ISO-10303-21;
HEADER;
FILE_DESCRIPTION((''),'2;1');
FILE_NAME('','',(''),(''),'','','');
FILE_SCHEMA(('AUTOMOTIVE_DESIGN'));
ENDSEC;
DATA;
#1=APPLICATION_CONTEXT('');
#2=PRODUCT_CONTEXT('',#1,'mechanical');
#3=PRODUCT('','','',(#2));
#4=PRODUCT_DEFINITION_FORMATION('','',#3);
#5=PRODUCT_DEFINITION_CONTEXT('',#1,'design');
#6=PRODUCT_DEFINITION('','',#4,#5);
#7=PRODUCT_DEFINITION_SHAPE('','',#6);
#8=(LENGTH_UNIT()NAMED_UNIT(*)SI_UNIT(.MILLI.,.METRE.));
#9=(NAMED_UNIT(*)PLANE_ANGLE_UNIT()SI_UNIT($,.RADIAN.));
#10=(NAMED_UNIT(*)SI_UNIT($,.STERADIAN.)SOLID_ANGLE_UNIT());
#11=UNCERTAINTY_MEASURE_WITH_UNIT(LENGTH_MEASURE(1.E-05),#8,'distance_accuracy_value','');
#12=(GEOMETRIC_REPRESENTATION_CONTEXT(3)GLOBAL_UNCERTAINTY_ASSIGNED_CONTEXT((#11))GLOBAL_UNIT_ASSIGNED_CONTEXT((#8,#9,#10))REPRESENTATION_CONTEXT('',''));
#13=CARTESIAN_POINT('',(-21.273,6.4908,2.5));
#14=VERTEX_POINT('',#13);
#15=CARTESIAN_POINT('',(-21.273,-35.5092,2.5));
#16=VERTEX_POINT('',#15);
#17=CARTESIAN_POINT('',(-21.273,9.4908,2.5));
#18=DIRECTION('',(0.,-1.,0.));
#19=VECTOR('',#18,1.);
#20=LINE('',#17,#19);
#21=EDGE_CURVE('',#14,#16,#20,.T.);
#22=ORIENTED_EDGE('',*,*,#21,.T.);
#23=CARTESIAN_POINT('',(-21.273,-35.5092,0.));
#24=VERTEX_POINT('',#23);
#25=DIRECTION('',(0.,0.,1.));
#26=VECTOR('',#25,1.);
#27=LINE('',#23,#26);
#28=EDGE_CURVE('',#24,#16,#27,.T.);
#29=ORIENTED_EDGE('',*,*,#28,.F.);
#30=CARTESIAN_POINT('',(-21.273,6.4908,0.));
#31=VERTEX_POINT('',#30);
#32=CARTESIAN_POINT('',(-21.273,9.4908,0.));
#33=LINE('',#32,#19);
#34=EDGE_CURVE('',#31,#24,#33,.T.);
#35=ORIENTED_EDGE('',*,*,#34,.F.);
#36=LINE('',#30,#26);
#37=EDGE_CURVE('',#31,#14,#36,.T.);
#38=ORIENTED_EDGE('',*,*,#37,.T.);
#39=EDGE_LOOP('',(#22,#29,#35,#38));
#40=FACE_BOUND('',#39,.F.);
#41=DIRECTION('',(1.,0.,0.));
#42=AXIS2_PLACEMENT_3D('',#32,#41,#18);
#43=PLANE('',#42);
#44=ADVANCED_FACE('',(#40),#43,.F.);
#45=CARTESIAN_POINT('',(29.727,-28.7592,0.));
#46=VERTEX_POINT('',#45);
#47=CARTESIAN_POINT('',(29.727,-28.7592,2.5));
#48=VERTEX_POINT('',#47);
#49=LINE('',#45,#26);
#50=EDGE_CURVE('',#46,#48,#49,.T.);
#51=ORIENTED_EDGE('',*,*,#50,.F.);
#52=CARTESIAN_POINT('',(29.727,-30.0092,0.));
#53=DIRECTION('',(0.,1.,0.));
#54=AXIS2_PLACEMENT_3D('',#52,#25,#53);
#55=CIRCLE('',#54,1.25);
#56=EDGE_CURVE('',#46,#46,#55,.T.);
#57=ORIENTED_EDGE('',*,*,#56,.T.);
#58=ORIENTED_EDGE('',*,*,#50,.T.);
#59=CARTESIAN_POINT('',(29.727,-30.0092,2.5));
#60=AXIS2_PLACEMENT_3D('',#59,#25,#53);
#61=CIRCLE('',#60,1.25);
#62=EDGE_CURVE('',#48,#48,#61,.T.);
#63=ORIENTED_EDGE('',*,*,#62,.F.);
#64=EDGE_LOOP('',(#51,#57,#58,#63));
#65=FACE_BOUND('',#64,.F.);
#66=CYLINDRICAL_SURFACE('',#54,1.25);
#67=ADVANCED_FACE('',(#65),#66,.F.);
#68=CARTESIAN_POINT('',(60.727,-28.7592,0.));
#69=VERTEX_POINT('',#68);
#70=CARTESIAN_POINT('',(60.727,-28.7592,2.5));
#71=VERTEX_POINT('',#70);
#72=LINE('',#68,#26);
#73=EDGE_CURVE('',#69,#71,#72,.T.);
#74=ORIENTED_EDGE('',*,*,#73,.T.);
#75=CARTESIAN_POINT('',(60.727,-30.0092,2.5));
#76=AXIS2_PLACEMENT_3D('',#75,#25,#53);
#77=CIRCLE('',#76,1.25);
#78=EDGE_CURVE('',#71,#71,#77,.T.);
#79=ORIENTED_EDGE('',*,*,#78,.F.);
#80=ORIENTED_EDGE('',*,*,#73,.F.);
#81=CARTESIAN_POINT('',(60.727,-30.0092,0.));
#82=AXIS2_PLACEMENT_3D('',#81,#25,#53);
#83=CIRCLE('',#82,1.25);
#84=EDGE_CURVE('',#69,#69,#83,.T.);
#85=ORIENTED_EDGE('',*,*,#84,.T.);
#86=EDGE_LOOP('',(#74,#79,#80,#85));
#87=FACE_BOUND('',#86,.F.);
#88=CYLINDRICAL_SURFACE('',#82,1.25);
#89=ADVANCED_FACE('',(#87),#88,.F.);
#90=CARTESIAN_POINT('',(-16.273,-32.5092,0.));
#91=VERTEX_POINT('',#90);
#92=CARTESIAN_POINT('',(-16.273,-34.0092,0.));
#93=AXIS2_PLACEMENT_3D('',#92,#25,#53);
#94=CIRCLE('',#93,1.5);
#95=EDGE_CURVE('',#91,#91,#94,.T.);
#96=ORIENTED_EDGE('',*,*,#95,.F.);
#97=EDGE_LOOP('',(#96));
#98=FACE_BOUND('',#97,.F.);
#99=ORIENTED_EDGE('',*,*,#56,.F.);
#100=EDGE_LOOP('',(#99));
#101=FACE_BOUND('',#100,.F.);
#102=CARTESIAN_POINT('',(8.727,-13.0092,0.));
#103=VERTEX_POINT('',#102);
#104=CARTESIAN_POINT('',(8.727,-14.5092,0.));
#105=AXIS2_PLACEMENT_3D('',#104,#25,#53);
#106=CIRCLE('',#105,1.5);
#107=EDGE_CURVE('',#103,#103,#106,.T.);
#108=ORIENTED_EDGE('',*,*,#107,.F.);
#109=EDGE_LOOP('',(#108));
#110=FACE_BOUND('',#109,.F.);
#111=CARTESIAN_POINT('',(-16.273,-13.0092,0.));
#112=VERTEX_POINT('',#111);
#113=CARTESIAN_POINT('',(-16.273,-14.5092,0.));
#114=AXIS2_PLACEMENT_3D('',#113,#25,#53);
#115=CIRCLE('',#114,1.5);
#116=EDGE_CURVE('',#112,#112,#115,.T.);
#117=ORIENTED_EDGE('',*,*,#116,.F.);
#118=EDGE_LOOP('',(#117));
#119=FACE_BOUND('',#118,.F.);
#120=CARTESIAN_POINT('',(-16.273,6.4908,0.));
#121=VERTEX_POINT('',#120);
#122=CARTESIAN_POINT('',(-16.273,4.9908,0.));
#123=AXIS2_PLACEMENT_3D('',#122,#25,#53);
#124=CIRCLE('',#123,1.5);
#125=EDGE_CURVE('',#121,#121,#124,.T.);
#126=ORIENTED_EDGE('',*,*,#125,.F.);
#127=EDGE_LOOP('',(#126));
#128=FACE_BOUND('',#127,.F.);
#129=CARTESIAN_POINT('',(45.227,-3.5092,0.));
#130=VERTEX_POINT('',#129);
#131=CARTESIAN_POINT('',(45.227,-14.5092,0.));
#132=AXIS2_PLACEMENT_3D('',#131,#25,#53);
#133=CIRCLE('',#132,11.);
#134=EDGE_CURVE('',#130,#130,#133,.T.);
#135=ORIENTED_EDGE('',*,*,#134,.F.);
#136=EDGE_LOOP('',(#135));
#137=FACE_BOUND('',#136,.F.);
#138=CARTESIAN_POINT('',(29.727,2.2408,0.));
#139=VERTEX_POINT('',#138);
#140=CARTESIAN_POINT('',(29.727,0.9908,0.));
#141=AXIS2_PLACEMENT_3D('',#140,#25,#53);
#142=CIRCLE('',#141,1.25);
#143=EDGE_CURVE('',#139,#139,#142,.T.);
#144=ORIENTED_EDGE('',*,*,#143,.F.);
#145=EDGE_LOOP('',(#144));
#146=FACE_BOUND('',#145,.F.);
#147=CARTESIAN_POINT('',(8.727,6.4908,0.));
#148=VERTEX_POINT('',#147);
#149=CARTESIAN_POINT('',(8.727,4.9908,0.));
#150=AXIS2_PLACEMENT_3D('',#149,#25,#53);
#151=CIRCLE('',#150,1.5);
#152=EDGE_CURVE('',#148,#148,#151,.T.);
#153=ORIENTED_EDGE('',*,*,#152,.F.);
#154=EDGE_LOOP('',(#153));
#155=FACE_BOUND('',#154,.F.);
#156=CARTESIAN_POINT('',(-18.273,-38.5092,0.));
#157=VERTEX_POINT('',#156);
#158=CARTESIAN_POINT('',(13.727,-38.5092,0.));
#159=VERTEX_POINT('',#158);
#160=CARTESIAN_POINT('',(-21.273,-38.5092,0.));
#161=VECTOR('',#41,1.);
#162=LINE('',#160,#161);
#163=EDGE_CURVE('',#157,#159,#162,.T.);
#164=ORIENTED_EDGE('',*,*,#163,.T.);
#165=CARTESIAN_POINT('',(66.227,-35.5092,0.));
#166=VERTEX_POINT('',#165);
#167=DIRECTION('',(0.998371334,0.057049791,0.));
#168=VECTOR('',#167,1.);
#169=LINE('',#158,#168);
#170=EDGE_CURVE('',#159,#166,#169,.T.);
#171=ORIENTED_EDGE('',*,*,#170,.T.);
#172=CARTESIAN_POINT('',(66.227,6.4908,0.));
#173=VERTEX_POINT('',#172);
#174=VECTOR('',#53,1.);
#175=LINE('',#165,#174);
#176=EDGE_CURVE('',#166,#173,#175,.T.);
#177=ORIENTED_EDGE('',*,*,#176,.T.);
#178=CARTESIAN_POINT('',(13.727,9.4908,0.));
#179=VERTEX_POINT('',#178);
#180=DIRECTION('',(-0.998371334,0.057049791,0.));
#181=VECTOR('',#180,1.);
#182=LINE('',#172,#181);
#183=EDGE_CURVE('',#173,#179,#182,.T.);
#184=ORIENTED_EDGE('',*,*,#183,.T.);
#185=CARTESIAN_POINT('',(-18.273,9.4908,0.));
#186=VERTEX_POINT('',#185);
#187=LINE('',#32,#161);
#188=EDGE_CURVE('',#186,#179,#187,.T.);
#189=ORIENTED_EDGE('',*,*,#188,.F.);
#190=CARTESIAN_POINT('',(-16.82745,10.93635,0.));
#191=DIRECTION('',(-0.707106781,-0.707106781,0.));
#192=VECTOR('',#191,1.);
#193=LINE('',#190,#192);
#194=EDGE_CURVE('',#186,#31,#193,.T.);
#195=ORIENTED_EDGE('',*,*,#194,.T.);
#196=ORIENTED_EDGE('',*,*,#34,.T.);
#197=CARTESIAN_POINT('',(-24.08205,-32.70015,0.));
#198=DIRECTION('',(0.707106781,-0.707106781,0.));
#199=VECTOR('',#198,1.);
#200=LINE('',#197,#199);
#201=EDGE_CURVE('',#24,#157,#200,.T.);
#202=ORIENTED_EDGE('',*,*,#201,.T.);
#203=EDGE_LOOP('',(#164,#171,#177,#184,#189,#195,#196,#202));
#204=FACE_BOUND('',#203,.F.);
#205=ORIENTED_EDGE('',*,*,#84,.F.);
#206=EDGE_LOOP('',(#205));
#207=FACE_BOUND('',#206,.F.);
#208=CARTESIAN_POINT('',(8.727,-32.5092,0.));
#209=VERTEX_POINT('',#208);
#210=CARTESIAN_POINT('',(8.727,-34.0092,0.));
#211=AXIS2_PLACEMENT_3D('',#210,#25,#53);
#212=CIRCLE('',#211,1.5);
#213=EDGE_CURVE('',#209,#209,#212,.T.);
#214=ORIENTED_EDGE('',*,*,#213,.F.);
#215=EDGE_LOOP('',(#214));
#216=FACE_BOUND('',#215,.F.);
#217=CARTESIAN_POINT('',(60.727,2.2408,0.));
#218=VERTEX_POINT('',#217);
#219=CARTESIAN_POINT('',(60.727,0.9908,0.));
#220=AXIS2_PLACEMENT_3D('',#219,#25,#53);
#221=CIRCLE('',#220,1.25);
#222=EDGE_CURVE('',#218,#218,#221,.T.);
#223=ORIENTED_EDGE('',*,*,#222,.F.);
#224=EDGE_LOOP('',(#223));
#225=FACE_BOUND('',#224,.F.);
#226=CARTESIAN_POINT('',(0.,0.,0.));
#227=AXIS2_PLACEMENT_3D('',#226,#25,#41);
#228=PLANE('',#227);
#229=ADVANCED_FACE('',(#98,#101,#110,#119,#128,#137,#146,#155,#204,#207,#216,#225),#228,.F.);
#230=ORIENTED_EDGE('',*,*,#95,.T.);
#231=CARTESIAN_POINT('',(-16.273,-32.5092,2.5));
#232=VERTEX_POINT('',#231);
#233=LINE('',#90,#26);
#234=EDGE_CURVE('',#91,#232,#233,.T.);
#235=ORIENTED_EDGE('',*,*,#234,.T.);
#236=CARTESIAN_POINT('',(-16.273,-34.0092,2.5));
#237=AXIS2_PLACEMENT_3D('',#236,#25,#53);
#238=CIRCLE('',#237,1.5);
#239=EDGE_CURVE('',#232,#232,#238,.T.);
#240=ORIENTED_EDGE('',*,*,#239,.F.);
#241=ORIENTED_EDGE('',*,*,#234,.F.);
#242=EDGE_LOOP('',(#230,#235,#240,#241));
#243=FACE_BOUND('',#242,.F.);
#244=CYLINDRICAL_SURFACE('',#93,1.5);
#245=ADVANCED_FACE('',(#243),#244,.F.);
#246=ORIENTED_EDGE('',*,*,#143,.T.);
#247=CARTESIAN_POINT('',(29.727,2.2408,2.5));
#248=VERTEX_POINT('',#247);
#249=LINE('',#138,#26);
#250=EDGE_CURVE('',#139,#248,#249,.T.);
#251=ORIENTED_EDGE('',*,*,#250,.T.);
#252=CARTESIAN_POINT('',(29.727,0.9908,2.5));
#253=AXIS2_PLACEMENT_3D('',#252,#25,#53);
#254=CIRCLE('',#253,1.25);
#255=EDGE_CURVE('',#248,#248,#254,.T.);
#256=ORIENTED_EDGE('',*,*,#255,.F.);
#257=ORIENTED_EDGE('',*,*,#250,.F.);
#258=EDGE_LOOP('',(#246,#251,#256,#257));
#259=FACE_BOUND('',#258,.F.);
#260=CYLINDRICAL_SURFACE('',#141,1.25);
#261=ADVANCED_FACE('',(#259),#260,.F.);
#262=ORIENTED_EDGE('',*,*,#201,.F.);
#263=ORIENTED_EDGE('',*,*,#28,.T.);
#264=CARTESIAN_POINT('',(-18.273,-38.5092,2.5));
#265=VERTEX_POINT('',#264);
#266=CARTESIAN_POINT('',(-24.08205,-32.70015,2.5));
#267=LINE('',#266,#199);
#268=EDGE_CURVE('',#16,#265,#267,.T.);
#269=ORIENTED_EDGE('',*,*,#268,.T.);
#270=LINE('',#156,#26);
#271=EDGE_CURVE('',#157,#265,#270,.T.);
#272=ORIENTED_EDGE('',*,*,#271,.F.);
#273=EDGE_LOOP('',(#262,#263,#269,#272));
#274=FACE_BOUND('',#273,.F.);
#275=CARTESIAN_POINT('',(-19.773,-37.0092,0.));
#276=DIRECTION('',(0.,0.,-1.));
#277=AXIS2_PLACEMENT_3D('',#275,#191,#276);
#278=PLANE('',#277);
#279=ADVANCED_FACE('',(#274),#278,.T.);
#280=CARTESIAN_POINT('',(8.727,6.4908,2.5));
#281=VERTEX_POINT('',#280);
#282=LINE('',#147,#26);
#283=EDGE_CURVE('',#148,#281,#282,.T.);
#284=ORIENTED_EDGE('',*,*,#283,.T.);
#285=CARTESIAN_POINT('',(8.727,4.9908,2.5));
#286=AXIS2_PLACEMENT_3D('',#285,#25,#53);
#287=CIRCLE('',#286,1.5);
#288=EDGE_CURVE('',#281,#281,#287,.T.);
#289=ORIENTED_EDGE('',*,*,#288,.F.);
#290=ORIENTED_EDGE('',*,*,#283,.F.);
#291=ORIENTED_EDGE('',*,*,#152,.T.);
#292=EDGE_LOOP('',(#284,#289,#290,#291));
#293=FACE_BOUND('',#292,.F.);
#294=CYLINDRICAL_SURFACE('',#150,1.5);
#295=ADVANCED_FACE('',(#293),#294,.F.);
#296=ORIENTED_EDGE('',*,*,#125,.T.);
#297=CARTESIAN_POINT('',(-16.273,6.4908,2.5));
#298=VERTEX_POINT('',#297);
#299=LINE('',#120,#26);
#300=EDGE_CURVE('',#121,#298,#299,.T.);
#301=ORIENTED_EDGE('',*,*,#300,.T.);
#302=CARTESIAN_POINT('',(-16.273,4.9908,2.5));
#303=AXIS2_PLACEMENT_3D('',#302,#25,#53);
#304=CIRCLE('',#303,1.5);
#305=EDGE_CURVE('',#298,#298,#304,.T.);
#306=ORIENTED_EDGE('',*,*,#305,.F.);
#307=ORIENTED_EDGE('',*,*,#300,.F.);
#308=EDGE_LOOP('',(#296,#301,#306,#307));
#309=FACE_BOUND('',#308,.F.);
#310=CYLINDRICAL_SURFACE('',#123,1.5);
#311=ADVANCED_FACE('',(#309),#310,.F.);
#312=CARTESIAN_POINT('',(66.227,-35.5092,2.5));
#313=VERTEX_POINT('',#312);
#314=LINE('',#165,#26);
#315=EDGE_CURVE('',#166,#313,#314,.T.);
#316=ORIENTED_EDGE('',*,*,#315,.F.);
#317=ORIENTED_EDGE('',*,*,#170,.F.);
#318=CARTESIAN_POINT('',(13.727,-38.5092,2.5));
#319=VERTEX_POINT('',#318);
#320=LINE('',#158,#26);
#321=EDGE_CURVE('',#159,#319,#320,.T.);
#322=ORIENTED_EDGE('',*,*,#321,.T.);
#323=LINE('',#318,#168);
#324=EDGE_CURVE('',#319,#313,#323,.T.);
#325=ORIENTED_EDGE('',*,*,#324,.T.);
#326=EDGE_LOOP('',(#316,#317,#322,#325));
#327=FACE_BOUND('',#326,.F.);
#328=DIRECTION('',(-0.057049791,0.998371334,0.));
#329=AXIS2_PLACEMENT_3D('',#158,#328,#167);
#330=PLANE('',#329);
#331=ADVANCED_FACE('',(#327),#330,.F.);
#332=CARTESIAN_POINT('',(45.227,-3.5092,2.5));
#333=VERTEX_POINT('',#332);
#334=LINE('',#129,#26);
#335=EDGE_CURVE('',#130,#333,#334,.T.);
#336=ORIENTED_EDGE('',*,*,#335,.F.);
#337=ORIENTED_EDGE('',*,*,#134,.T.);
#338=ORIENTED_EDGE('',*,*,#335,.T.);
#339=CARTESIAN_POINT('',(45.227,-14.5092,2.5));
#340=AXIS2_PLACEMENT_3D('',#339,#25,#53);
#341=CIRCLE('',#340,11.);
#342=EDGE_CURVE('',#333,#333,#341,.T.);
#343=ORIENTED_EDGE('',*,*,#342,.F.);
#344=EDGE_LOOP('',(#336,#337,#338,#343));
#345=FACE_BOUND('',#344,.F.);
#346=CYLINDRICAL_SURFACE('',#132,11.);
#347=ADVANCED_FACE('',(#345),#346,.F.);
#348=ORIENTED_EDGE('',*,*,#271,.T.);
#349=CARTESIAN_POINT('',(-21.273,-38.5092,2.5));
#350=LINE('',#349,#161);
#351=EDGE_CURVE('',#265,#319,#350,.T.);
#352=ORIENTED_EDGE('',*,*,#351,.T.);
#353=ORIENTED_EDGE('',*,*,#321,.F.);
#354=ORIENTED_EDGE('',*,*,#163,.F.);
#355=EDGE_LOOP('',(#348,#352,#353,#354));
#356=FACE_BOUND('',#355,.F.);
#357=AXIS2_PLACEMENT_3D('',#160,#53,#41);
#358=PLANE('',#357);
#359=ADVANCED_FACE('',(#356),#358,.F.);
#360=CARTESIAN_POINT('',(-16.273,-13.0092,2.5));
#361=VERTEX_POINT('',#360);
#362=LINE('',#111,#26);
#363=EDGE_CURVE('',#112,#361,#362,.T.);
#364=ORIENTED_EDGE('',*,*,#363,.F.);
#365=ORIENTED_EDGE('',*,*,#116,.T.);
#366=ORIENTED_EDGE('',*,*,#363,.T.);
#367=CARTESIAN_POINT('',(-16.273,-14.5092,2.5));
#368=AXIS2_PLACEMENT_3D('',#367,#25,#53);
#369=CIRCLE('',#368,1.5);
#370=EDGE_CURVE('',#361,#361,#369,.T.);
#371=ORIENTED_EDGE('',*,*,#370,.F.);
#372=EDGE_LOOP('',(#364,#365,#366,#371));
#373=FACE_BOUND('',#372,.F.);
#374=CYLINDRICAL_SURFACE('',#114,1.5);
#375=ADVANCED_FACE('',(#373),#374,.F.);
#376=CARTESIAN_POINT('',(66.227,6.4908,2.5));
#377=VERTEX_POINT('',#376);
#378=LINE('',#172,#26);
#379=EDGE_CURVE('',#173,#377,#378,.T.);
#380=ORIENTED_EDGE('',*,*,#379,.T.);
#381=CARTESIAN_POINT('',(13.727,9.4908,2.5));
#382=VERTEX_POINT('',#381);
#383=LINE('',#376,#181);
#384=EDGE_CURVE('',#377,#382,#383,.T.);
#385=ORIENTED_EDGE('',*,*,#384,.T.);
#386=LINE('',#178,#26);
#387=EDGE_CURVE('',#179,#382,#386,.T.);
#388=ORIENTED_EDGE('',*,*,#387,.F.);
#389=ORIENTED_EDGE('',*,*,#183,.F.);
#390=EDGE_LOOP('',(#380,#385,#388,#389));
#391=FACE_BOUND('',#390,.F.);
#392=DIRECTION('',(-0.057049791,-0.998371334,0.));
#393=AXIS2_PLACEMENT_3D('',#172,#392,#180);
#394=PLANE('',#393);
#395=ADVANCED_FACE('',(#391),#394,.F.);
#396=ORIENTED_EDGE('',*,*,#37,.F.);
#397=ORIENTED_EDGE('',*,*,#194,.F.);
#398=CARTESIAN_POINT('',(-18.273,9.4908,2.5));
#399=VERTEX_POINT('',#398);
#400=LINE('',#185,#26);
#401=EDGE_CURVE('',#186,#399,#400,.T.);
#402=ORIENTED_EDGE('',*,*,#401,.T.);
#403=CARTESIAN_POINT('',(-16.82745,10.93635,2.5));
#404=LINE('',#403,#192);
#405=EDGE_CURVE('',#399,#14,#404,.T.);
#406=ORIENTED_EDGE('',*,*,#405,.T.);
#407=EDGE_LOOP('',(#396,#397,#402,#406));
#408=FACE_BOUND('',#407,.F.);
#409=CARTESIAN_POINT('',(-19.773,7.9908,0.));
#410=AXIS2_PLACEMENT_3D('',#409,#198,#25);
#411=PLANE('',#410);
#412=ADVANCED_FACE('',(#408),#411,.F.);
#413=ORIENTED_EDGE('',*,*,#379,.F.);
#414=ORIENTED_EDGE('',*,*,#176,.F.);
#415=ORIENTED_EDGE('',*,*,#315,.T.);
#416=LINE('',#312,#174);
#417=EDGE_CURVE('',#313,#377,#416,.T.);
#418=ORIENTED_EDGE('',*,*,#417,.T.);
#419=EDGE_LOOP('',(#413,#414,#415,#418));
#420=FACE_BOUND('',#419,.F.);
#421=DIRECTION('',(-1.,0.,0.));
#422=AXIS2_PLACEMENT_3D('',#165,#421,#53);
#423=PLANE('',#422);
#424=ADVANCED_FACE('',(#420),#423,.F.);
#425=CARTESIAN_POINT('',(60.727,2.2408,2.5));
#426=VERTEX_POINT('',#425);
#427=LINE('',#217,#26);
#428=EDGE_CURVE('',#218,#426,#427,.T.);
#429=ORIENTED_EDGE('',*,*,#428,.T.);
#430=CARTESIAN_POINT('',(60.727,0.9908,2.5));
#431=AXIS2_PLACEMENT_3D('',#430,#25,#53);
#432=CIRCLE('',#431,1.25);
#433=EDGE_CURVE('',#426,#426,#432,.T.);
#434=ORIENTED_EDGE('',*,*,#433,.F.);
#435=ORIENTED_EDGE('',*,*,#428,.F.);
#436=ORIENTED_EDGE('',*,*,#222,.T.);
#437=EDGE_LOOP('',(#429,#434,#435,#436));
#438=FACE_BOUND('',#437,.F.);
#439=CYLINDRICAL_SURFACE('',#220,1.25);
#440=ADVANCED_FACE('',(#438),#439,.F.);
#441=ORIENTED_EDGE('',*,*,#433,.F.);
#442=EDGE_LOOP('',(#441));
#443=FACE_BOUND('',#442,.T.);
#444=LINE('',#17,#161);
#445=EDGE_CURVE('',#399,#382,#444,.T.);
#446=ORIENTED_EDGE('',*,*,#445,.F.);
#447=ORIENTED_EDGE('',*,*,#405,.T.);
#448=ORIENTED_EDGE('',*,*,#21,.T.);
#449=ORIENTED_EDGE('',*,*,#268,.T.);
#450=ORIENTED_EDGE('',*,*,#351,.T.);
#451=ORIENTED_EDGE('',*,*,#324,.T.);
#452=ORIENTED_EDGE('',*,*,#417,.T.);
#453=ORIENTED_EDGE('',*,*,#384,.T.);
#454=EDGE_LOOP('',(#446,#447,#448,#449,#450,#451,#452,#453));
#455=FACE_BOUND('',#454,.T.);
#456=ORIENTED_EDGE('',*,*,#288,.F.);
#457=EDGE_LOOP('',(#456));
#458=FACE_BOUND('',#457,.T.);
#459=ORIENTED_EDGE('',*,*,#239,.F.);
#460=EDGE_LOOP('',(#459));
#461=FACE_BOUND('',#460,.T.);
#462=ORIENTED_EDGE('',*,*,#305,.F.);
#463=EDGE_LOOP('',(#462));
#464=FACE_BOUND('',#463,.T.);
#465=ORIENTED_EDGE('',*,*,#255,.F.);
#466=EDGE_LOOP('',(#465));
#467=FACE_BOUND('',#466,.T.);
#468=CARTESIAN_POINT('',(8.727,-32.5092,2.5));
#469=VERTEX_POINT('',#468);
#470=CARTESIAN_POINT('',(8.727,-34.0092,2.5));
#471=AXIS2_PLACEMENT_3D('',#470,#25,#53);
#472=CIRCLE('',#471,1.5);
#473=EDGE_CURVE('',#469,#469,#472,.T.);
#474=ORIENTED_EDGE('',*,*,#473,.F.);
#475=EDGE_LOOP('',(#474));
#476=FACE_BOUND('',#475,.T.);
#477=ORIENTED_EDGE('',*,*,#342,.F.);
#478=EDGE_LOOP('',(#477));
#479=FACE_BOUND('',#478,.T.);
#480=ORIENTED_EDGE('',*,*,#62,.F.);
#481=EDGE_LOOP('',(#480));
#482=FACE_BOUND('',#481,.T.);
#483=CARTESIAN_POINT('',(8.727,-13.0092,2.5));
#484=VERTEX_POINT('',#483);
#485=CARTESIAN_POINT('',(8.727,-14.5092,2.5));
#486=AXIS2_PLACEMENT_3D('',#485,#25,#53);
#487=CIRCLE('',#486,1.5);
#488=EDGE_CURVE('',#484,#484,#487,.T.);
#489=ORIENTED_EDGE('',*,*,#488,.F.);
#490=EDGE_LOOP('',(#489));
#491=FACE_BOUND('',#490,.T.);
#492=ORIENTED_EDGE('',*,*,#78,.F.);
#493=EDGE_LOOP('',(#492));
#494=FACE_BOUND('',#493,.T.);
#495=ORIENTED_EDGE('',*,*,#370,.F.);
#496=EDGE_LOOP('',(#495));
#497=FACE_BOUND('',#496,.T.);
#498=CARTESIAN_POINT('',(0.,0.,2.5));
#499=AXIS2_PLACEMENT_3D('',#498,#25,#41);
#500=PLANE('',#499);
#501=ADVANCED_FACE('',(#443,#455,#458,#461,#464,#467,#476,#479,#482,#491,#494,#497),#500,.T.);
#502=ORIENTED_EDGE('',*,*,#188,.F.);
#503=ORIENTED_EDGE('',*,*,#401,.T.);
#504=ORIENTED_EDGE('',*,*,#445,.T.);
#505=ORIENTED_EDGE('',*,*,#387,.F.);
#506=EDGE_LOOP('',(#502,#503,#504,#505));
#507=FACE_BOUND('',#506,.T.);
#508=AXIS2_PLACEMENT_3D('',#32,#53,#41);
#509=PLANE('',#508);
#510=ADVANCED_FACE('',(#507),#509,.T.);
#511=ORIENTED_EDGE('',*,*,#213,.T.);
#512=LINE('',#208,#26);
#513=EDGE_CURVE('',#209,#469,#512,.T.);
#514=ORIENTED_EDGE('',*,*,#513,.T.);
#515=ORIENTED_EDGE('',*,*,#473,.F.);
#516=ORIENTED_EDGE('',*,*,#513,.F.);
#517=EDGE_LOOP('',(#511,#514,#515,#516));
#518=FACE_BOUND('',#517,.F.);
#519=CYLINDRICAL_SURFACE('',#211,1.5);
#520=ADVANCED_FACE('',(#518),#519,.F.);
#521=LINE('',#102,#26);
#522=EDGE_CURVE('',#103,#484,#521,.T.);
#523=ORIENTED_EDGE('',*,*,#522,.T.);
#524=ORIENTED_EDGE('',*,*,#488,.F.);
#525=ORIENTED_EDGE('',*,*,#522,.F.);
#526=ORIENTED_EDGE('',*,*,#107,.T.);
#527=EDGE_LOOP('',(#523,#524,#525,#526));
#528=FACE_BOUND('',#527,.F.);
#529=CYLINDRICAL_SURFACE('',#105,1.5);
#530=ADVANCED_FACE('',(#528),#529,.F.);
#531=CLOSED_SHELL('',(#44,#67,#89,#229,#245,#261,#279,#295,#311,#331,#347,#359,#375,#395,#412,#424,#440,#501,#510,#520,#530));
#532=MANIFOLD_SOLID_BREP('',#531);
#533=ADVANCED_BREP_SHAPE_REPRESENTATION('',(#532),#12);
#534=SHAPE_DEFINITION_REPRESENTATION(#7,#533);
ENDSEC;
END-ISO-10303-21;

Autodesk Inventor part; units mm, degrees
ref_plane "YZ Plane" through (0, 0, 0) normal (1, 0, 0) x (0, 1, 0)
ref_plane "XZ Plane" through (0, 0, 0) normal (0, 1, 0) x (-1, 0, 0)
ref_plane "XY Plane" through (0, 0, 0) normal (0, 0, 1) x (1, 0, 0)
sketch "Sketch1" plane through (0, 0, 0) normal (0, 0, 1) x (1, 0, 0)
  line L0 (-21.273, 9.4908) -> (-21.273, -38.5092)
  line L1 (-21.273, -38.5092) -> (13.727, -38.5092)
  line L2 (66.227, -35.5092) -> (66.227, 6.4908)
  line L3 (-21.273, 9.4908) -> (13.727, 9.4908)
  line L4 (13.727, 9.4908) -> (13.727, 6.4908)
  line L5 (13.727, 6.4908) -> (66.227, 6.4908)
  line L6 (13.727, 6.4908) -> (13.727, -38.5092)
  line L7 (66.227, -35.5092) -> (13.727, -35.5092)
  line L8 (13.727, -38.5092) -> (66.227, -35.5092)
  line L9 (66.227, 6.4908) -> (13.727, 9.4908)
  point P0 (0, 0)
  point P1 (-16.273, 4.9908)
  point P2 (-16.273, -14.5092)
  point P3 (-16.273, -34.0092)
  point P4 (8.727, 4.9908)
  point P5 (8.727, -14.5092)
  point P6 (8.727, -34.0092)
  point P7 (29.727, 0.9908)
  point P8 (29.727, -30.0092)
  point P9 (60.727, -30.0092)
  point P10 (60.727, 0.9908)
  point P11 (45.227, -14.5092)
  dimension "d0" = 48
  dimension "d2" = 42
  dimension "d3" = 35
  dimension "d4" = 5
  dimension "d5" = 5
  dimension "d6" = 4.5
  dimension "d7" = 4.5
  dimension "d8" = 24
  dimension "d9" = 31
  dimension "d10" = 31
  dimension "d13" = 15.5
  dimension "d14" = 15.5
  dimension "d44" = 5.5
  dimension "d45" = 87.5
  dimension "d46" = 5.5
  dimension "d47" = 3
  dimension "d52" = 52.5
extrude "Extrusion1" add sketch "Sketch1" along normal blind 2.5
hole "Hole1" at (-16.273, 4.9908, 0) at (-16.273, -14.5092, 0) at (-16.273, -34.0092, 0) at (8.727, 4.9908, 0) at (8.727, -14.5092, 0) at (8.727, -34.0092, 0) direction (0, 0, 1) diameter 3 end through all
hole "Hole2" at (29.727, 0.9908, 0) at (29.727, -30.0092, 0) at (60.727, -30.0092, 0) at (60.727, 0.9908, 0) direction (0, 0, 1) diameter 2.5 end through all
hole "Hole3" at (45.227, -14.5092, 0) direction (0, 0, 1) diameter 22 end through all
chamfer "Chamfer3" distance 3 angle 45 2 edges at (-21.273, -38.5092, 1.25) (-21.273, 9.4908, 1.25)
equation "\"d47\" = -0.5 * d2 + 0.5 * d0"
properties part number "LC_ALU_3mm_X_axis_stepper_mount_plate" material "Aluminum 6061-AHC"
